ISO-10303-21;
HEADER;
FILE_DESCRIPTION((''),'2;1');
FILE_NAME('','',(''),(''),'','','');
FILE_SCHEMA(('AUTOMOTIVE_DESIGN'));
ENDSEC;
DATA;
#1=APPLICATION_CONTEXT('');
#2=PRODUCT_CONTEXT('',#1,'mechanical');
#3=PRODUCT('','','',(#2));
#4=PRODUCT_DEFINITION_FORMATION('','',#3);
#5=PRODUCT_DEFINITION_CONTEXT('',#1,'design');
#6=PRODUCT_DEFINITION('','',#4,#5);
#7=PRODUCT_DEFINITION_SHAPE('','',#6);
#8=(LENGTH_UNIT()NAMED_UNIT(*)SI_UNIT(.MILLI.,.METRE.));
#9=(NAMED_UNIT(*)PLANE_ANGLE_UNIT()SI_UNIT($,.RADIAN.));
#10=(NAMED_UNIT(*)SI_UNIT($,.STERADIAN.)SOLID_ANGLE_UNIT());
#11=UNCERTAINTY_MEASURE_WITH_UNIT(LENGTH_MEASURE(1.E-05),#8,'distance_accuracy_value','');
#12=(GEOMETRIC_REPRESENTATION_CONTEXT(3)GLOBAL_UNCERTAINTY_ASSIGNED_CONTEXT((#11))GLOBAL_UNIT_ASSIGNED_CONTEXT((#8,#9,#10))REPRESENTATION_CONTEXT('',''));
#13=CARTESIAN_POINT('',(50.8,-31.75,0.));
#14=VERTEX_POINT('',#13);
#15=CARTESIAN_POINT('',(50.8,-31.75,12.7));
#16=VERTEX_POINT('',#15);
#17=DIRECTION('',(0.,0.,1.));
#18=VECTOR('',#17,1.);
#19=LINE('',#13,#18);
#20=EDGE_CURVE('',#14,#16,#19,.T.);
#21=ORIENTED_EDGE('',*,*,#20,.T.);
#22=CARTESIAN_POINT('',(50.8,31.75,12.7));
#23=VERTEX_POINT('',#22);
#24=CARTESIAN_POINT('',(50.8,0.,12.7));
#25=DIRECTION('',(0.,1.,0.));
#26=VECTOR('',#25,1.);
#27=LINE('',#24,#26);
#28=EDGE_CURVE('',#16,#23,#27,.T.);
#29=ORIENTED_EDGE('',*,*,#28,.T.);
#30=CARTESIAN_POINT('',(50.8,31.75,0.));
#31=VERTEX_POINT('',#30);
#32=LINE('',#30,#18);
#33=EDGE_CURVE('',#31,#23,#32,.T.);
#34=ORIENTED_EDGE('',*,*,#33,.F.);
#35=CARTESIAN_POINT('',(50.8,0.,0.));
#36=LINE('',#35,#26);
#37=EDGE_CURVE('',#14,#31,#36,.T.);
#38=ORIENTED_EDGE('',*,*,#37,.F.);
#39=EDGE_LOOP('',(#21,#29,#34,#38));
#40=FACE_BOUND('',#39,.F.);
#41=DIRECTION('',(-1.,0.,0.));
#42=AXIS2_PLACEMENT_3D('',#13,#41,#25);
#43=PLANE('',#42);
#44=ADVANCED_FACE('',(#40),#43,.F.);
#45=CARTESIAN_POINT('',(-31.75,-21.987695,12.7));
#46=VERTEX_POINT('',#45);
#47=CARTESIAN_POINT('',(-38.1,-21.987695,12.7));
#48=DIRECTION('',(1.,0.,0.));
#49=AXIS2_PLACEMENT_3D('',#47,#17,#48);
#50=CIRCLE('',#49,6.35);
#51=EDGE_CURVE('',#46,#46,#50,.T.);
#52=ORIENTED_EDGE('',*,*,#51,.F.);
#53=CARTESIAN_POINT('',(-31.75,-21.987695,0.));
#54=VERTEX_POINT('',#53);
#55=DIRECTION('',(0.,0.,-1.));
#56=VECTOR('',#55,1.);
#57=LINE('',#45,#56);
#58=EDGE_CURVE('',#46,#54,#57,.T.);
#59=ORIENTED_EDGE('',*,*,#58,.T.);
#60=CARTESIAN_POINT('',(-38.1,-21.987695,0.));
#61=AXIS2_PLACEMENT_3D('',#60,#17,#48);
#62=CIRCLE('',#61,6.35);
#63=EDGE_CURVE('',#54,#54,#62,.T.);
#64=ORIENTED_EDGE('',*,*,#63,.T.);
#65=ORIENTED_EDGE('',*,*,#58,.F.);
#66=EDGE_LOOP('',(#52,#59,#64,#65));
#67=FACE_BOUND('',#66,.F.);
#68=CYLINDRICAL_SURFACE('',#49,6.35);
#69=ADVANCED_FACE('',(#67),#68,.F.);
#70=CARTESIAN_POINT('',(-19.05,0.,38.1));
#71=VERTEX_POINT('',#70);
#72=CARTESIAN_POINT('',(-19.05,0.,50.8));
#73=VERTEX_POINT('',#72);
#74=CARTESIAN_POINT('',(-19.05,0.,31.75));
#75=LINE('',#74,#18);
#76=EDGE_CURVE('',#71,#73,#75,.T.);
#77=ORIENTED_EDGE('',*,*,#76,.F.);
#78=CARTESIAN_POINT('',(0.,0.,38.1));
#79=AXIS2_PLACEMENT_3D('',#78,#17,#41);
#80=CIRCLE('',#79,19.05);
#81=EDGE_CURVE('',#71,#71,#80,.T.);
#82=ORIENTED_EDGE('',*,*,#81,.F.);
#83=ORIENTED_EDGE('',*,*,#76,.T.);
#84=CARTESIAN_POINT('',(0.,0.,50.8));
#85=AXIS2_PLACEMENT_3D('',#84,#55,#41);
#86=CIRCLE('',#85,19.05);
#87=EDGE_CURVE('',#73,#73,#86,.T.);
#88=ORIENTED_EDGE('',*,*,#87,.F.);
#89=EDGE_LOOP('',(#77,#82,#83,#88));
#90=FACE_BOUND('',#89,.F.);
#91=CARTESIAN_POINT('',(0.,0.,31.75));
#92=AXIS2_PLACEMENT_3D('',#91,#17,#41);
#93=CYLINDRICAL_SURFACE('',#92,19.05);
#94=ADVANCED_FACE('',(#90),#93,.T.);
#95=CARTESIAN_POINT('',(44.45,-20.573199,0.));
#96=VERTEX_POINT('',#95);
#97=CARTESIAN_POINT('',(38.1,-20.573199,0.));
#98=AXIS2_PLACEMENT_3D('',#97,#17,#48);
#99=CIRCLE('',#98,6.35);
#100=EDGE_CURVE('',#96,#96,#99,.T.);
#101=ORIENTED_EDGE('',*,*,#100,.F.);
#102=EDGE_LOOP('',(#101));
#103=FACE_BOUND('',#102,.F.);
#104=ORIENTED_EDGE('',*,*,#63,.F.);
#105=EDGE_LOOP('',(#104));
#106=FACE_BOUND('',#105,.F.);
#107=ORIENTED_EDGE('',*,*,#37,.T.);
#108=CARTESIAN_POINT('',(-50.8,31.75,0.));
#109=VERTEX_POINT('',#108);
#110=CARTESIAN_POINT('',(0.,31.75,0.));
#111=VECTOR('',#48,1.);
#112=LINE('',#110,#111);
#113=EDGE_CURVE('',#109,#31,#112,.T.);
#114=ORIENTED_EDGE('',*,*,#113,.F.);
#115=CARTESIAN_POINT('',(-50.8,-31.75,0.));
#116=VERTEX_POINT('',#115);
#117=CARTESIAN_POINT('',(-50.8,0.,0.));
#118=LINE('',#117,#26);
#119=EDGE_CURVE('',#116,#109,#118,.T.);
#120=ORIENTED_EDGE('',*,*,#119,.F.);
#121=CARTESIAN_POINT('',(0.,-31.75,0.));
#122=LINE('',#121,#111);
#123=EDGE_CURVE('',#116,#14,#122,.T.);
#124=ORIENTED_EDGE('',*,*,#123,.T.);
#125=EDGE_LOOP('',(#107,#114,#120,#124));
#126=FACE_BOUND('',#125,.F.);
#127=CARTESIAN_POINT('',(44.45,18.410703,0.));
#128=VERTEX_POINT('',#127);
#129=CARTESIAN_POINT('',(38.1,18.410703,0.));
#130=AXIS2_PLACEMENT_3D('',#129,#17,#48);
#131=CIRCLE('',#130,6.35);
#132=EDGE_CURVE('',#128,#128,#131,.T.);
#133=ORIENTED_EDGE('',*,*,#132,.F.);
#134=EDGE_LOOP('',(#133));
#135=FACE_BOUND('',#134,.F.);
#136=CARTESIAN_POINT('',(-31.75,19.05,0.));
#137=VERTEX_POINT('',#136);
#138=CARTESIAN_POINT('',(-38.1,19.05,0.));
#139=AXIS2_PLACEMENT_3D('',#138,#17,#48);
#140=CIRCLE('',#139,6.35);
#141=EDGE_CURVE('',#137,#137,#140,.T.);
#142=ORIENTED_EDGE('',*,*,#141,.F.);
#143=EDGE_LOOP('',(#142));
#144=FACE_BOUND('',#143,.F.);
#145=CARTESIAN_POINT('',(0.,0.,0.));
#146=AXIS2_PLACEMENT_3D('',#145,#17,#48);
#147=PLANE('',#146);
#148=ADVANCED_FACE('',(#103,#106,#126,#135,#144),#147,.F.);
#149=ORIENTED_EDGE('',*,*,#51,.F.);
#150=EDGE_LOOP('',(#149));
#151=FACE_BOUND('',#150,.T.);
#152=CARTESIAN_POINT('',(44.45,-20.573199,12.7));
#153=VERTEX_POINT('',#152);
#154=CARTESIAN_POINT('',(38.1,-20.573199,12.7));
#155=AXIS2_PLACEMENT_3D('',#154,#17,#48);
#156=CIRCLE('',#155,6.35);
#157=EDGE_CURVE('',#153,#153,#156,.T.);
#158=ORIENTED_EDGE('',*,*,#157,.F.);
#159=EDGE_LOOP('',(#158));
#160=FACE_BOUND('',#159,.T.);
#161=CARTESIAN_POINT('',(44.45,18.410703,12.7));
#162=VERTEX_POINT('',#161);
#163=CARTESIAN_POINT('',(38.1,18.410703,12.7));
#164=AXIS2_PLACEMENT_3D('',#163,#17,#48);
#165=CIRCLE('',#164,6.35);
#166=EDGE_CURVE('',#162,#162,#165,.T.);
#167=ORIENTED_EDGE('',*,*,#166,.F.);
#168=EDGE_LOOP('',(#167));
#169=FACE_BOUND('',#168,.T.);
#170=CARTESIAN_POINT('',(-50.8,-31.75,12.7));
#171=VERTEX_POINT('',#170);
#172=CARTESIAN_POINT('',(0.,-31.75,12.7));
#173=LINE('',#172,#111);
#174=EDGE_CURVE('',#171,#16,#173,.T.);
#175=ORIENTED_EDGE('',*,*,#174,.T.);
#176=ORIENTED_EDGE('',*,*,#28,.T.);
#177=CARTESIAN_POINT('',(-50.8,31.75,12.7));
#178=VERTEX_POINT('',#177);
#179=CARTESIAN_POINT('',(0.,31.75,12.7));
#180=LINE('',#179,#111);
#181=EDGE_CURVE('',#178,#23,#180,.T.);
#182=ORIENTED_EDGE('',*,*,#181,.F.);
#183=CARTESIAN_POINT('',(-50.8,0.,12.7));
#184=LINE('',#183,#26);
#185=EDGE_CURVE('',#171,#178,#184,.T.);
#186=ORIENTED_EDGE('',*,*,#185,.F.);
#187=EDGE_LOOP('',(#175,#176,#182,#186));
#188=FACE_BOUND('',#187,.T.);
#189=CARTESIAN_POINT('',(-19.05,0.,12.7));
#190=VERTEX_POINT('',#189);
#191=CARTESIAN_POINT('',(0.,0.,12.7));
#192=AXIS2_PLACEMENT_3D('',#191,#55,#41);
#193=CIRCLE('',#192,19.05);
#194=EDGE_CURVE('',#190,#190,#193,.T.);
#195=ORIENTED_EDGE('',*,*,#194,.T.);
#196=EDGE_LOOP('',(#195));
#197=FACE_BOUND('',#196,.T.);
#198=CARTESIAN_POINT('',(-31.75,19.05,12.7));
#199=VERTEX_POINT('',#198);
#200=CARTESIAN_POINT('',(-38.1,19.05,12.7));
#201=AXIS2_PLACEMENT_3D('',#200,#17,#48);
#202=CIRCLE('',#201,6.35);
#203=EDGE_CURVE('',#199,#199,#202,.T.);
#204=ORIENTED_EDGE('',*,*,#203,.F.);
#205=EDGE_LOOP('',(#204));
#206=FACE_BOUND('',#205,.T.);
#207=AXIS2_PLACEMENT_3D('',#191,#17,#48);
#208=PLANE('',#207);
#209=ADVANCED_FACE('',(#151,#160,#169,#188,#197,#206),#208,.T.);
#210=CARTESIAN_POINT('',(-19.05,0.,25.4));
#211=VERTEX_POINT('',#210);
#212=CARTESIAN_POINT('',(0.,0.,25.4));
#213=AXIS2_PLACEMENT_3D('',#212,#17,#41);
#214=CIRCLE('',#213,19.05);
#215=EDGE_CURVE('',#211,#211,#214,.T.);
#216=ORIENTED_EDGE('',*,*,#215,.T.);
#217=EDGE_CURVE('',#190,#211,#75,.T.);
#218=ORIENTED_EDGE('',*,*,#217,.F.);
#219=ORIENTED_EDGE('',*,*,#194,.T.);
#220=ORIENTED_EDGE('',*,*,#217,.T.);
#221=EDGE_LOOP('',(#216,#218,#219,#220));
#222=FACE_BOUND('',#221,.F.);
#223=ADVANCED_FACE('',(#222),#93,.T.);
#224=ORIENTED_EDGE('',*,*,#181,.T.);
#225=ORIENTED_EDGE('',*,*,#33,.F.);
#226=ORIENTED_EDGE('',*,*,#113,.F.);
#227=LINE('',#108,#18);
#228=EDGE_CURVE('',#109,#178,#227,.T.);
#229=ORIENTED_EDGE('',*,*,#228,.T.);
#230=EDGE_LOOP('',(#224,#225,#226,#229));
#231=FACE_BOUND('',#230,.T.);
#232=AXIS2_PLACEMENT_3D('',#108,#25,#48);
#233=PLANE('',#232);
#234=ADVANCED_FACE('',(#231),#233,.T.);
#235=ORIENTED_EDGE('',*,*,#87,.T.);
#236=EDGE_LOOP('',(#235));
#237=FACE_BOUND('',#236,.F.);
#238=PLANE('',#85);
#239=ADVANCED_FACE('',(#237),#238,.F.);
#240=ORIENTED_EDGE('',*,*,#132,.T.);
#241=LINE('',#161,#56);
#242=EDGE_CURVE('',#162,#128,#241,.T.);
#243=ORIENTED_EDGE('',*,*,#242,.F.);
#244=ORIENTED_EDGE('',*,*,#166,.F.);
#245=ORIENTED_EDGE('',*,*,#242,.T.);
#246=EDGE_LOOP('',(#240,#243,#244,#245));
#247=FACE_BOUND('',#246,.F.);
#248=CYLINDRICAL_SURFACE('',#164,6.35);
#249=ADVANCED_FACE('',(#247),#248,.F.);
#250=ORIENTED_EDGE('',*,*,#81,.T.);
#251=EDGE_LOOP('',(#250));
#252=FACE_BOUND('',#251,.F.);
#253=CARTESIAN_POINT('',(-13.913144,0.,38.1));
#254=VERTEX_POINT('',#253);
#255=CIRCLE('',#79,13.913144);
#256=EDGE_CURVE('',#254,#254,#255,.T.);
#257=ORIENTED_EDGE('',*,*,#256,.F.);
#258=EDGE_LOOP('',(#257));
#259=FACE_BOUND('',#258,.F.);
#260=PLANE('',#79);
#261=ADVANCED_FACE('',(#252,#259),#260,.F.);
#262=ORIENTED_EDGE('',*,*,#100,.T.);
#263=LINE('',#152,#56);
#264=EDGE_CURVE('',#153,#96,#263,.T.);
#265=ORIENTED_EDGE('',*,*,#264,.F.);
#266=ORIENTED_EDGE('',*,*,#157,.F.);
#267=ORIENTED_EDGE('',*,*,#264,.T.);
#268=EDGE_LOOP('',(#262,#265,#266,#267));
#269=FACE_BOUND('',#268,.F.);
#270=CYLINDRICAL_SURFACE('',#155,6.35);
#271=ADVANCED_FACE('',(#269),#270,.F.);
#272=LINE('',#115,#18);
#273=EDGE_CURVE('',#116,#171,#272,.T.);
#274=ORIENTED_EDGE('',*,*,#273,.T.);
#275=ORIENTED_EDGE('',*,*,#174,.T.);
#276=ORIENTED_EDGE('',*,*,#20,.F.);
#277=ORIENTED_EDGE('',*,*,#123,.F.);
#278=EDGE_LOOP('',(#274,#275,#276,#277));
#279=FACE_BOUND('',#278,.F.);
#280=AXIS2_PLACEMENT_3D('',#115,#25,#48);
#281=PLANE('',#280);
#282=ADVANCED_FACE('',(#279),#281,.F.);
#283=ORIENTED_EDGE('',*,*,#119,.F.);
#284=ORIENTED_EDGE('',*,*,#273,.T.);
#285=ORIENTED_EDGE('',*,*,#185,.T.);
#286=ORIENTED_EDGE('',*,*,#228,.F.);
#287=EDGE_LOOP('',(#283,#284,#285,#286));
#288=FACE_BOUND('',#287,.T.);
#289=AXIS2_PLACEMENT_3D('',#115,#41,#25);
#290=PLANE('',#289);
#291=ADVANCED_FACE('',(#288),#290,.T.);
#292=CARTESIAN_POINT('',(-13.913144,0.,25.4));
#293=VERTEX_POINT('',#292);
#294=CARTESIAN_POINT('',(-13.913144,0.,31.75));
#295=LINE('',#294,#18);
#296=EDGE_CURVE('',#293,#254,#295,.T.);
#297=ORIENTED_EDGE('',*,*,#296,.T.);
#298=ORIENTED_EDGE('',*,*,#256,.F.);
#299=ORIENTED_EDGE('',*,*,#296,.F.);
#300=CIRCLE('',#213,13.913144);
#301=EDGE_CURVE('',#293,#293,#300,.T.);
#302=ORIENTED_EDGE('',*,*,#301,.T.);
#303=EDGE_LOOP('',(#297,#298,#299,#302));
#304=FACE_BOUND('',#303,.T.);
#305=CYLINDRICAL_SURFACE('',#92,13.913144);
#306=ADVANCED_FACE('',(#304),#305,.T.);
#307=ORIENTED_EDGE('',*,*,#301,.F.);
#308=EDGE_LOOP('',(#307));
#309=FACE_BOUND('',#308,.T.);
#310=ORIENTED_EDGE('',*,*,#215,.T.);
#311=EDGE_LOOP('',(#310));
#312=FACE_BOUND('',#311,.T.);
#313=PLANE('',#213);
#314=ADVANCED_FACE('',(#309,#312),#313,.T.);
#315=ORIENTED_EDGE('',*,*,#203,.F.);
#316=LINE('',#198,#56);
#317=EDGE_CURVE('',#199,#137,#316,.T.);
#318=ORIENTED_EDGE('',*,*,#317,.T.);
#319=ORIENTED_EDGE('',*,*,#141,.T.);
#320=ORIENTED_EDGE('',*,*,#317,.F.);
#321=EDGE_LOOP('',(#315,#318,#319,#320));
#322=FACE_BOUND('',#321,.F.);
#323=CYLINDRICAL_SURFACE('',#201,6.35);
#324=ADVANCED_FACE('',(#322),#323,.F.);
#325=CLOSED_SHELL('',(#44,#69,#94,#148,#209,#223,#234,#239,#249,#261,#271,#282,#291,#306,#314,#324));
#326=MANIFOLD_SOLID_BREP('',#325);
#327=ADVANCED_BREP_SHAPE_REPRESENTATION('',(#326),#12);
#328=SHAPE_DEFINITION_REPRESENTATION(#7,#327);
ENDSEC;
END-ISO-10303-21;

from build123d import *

# Parameters (mm, degrees)
F0_W     = 101.6
F0_H     = 63.5
F1_DEPTH = 12.7
F2_R     = 6.35
F3_DEPTH = 12.701
F4_W     = 19.05
F4_H     = 38.1
F6_W     = 11.628822
F6_H     = 12.7


with BuildPart() as f1:
    # F0 (on Top) → F1 (new body)
    with BuildSketch(Plane.XY):
        Rectangle(F0_W, F0_H)
    extrude(amount=F1_DEPTH)

    # F2 (on face) → F3 (cut, through all)
    with BuildSketch(Plane.XY.offset(12.7)):
        with Locations((-38.1, 19.05)):
            Circle(F2_R)
        with Locations((-38.1, -21.987695)):
            Circle(F2_R)
        with Locations((38.1, 18.410703)):
            Circle(F2_R)
        with Locations((38.1, -20.573199)):
            Circle(F2_R)
    extrude(amount=-F3_DEPTH, mode=Mode.SUBTRACT)

    # F4 (on Front) → F5 (revolve)
    with BuildSketch(Plane.XZ):
        with Locations((-9.525, 31.75)):
            Rectangle(F4_W, F4_H)
    revolve(axis=Axis((0, 0, 31.75), (0, 0, -1)))

    # F6 (on Front) → F7 (revolve, cut)
    with BuildSketch(Plane.XZ):
        with Locations((-19.727555, 31.75)):
            Rectangle(F6_W, F6_H)
    revolve(axis=Axis((0, 0, 28.649839), (0, 0, 1)), mode=Mode.SUBTRACT)


solid = f1.part
